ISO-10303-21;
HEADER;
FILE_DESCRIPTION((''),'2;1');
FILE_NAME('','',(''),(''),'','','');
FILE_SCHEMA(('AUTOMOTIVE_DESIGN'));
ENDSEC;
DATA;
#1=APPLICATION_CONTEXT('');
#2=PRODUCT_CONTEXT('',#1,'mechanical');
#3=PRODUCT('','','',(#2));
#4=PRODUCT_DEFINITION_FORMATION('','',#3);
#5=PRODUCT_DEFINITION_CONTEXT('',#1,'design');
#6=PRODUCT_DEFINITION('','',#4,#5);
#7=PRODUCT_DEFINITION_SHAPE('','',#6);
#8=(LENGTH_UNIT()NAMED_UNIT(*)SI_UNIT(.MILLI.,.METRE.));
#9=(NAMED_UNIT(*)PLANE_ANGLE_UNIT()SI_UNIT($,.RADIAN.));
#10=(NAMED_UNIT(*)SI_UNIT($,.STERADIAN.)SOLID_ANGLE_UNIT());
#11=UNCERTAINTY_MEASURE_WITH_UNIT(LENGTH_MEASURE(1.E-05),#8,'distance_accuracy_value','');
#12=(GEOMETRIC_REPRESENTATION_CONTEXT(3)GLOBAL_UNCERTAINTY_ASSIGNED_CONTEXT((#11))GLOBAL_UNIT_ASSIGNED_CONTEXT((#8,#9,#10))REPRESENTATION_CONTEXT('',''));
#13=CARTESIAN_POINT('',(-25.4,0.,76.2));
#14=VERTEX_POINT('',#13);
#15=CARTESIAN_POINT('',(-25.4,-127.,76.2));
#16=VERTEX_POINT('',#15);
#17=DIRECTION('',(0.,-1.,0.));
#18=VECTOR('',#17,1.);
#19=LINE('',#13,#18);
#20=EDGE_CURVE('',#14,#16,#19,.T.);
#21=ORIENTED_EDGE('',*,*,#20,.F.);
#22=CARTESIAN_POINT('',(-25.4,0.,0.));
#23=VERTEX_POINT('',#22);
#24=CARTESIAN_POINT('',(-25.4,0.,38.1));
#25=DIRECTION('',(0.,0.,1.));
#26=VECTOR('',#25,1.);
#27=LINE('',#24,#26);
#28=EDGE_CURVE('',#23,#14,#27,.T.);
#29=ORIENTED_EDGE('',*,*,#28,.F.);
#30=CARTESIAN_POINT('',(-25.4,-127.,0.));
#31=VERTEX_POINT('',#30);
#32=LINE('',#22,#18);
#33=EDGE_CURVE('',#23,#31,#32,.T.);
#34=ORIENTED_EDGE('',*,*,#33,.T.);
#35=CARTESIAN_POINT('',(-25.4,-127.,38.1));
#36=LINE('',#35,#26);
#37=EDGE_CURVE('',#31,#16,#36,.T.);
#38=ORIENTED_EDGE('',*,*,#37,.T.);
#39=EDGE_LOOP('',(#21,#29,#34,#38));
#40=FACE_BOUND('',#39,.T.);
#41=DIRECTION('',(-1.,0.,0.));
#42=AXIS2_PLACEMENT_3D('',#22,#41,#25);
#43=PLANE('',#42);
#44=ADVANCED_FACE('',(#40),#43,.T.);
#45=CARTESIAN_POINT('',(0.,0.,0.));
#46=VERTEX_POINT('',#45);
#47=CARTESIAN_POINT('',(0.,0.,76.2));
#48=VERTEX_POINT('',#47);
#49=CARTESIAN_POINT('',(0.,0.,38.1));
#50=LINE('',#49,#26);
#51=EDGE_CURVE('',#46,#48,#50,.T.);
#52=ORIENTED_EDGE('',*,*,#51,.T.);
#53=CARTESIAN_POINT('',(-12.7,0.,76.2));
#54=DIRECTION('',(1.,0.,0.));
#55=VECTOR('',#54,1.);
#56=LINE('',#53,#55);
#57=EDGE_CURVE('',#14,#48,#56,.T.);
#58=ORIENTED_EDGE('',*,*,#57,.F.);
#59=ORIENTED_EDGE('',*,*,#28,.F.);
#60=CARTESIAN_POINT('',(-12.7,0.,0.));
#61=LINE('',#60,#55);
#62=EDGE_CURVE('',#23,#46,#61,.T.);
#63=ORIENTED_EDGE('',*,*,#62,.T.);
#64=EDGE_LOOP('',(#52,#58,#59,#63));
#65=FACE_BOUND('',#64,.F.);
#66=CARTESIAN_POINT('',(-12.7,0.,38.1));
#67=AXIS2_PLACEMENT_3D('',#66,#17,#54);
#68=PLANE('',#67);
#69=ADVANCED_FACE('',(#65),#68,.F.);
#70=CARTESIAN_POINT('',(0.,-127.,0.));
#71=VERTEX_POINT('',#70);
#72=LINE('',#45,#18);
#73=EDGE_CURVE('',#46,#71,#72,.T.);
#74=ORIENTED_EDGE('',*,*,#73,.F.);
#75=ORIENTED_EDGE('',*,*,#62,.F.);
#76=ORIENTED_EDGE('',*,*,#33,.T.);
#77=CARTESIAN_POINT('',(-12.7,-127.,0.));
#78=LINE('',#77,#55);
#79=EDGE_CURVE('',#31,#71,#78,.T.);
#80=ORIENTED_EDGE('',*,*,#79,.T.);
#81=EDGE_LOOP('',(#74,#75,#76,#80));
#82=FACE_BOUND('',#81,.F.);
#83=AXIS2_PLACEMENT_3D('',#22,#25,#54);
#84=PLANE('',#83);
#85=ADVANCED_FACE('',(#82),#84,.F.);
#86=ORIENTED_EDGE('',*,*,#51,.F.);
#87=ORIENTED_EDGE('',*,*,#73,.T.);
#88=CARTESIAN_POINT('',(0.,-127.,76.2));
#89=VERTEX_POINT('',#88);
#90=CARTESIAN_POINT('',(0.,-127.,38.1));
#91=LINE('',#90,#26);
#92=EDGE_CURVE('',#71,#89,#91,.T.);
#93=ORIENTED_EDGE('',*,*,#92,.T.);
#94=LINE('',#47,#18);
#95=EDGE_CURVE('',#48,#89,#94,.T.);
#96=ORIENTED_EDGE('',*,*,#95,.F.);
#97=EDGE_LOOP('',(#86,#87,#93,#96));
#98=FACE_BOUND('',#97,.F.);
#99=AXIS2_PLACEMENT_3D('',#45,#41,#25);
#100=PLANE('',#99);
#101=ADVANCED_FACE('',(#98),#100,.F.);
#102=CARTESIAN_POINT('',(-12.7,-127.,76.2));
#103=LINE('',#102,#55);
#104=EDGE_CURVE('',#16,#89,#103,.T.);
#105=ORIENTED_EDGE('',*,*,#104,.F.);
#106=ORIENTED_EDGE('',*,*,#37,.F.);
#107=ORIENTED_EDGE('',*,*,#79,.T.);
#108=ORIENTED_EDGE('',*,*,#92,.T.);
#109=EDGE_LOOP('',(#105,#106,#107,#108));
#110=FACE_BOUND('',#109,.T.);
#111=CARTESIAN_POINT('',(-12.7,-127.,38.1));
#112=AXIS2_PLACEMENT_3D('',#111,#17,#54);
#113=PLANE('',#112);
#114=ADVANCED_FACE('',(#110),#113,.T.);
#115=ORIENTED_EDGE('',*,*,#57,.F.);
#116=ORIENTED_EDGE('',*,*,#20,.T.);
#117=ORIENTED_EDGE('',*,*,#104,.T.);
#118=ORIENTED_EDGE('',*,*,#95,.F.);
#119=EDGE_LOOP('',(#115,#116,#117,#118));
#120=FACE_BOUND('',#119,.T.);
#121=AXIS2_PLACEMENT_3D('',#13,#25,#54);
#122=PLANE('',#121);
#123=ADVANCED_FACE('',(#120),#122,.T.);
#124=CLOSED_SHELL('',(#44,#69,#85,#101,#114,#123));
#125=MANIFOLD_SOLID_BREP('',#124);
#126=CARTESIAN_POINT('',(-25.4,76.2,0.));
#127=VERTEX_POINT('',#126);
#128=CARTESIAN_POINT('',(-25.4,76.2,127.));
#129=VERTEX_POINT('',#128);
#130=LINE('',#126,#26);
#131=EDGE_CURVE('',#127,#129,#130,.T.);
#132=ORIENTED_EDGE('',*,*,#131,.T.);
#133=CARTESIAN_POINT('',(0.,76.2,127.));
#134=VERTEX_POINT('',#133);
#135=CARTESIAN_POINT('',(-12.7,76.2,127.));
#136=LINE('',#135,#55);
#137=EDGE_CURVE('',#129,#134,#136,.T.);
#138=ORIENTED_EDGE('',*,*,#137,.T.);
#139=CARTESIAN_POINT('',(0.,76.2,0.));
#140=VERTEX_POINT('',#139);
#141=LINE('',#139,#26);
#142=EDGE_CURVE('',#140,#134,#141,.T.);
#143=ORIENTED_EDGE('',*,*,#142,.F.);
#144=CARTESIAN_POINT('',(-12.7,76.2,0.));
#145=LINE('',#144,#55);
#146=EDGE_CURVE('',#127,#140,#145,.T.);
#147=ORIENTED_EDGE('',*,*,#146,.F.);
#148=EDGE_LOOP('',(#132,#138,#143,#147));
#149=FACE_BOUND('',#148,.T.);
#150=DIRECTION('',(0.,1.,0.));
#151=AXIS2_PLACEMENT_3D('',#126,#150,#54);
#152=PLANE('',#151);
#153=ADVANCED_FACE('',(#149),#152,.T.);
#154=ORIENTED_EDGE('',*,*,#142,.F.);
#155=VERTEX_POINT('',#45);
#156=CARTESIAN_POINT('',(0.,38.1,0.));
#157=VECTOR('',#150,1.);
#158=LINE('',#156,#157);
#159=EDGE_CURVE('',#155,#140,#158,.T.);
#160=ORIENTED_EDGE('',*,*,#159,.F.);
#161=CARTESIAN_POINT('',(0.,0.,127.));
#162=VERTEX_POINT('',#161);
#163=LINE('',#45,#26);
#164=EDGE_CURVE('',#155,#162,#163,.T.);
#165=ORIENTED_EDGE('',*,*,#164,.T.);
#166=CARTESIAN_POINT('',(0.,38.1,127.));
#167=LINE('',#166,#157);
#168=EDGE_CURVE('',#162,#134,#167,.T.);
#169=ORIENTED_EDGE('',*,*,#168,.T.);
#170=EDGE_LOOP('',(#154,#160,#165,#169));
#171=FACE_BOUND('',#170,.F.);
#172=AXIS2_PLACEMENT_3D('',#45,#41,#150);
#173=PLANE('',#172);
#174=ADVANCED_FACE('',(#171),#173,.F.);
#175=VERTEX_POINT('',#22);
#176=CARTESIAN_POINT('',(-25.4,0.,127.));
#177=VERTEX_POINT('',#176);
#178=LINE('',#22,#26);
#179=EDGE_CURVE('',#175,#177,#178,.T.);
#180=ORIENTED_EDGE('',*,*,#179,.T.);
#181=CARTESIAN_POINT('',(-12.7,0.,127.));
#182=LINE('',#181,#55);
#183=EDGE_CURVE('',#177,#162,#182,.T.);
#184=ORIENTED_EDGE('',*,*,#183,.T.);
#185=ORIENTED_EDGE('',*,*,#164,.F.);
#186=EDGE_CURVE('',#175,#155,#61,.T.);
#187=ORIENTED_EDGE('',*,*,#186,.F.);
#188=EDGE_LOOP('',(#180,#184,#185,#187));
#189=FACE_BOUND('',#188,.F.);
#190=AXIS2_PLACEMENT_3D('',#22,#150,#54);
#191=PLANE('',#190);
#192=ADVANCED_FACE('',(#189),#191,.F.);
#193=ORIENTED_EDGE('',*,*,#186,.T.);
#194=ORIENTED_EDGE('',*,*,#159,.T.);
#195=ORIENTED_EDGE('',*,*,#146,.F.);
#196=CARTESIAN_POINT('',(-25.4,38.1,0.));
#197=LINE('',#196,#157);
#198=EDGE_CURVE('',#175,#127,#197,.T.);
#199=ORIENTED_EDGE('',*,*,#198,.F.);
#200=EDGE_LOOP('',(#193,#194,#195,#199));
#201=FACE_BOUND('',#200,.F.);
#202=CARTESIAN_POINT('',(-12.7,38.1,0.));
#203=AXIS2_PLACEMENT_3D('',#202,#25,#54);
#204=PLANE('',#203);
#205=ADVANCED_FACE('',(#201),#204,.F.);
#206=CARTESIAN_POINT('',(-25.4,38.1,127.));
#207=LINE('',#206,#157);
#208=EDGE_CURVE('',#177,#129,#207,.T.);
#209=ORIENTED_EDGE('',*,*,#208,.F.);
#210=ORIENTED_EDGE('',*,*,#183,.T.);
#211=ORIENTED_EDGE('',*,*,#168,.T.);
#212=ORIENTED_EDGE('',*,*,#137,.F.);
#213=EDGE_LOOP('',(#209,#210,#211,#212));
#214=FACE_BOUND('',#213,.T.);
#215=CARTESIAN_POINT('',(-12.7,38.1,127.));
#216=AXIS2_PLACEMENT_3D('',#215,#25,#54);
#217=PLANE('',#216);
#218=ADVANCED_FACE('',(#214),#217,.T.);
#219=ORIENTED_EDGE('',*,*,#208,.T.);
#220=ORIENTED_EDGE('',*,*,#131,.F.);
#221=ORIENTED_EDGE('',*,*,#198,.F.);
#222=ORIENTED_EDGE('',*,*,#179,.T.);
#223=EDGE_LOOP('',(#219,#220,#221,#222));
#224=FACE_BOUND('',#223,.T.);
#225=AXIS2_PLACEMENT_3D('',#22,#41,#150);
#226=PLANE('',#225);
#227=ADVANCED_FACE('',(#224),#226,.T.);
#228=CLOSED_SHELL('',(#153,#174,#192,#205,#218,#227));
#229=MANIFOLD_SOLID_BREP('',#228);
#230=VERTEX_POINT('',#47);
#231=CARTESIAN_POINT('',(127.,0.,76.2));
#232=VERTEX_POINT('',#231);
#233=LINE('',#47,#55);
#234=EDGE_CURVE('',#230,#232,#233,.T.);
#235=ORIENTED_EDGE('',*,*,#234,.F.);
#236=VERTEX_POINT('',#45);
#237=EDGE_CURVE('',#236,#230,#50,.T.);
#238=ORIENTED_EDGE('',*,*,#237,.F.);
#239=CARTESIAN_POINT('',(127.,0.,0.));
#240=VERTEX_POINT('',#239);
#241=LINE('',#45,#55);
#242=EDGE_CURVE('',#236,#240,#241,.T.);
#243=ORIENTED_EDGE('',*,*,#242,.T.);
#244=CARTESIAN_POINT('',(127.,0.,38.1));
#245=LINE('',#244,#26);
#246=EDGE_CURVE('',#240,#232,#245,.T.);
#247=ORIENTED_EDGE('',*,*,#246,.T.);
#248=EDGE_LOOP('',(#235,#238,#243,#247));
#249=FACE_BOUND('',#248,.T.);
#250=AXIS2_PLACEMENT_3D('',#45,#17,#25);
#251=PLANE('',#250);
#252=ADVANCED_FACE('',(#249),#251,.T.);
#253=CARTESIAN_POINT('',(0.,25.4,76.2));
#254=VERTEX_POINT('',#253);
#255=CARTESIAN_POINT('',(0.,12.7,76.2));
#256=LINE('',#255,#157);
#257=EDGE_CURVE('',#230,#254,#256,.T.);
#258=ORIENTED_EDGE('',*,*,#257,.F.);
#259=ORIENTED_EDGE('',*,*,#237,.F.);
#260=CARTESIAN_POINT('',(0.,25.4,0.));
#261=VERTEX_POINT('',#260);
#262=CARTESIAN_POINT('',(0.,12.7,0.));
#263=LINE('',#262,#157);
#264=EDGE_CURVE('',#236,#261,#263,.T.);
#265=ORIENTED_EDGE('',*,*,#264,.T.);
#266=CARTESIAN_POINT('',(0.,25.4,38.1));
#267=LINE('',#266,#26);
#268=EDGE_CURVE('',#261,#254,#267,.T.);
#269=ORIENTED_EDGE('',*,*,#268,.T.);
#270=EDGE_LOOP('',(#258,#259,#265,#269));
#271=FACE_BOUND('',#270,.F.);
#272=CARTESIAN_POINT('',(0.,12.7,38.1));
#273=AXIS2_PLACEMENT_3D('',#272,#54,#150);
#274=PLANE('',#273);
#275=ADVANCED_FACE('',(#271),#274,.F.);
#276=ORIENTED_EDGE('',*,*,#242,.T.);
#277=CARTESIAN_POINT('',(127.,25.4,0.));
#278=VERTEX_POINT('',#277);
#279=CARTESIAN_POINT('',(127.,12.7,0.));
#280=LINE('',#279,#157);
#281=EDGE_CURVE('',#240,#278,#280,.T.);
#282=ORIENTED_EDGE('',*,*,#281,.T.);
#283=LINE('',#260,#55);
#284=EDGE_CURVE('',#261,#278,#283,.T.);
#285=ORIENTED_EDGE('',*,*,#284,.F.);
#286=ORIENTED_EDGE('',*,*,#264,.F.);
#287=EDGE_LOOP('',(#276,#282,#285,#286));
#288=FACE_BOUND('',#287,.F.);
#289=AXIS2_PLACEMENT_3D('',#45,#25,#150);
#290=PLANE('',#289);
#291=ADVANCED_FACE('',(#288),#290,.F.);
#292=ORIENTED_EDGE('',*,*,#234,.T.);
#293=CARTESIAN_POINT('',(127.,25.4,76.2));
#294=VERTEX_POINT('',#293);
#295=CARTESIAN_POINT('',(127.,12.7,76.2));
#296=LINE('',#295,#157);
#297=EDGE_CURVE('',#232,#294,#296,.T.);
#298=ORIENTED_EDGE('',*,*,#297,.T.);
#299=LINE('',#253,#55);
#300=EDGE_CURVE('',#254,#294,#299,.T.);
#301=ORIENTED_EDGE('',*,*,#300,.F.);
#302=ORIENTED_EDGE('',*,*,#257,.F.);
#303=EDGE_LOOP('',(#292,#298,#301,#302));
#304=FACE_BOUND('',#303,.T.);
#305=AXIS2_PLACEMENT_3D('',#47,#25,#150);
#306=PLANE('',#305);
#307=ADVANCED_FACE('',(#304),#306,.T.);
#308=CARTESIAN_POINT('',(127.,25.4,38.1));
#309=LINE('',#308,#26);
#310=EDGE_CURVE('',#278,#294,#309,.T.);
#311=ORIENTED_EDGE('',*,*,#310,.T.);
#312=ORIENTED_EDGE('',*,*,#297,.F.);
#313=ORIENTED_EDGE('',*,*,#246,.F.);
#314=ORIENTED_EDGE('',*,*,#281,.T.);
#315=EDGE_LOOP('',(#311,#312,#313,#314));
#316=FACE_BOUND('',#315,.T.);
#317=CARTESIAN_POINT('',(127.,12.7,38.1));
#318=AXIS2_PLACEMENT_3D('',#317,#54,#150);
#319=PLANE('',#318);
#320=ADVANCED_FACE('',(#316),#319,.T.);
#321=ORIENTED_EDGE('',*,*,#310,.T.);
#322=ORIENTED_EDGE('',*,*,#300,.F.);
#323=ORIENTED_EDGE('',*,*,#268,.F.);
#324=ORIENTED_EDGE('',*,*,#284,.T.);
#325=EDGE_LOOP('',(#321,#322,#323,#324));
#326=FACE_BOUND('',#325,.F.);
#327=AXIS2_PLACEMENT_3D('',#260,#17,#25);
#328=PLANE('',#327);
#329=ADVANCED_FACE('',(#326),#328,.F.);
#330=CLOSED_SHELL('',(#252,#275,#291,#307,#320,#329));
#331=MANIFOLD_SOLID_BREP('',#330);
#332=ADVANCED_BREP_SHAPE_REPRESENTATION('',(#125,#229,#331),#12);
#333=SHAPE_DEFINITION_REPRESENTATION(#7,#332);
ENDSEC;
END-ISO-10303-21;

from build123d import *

# Parameters (mm, degrees)
F0_W     = 25.4
F0_H     = 76.2
F1_DEPTH = 127
F2_W     = 25.4
F2_H     = 76.2
F3_DEPTH = 127
F4_W     = 25.4
F4_H     = 76.2
F5_DEPTH = 127


with BuildPart() as f1:
    # F0 (on Right) → F1 (new body)
    with BuildSketch(Plane.YZ):
        with Locations((12.7, 38.1)):
            Rectangle(F0_W, F0_H)
    extrude(amount=F1_DEPTH)


with BuildPart() as f3:
    # F2 (on Front) → F3 (new body)
    with BuildSketch(Plane.XZ):
        with Locations((-12.7, 38.1)):
            Rectangle(F2_W, F2_H)
    extrude(amount=F3_DEPTH)


with BuildPart() as f5:
    # F4 (on Top) → F5 (new body)
    with BuildSketch(Plane.XY):
        with Locations((-12.7, 38.1)):
            Rectangle(F4_W, F4_H)
    extrude(amount=F5_DEPTH)


solid = Compound([f1.part, f3.part, f5.part])
